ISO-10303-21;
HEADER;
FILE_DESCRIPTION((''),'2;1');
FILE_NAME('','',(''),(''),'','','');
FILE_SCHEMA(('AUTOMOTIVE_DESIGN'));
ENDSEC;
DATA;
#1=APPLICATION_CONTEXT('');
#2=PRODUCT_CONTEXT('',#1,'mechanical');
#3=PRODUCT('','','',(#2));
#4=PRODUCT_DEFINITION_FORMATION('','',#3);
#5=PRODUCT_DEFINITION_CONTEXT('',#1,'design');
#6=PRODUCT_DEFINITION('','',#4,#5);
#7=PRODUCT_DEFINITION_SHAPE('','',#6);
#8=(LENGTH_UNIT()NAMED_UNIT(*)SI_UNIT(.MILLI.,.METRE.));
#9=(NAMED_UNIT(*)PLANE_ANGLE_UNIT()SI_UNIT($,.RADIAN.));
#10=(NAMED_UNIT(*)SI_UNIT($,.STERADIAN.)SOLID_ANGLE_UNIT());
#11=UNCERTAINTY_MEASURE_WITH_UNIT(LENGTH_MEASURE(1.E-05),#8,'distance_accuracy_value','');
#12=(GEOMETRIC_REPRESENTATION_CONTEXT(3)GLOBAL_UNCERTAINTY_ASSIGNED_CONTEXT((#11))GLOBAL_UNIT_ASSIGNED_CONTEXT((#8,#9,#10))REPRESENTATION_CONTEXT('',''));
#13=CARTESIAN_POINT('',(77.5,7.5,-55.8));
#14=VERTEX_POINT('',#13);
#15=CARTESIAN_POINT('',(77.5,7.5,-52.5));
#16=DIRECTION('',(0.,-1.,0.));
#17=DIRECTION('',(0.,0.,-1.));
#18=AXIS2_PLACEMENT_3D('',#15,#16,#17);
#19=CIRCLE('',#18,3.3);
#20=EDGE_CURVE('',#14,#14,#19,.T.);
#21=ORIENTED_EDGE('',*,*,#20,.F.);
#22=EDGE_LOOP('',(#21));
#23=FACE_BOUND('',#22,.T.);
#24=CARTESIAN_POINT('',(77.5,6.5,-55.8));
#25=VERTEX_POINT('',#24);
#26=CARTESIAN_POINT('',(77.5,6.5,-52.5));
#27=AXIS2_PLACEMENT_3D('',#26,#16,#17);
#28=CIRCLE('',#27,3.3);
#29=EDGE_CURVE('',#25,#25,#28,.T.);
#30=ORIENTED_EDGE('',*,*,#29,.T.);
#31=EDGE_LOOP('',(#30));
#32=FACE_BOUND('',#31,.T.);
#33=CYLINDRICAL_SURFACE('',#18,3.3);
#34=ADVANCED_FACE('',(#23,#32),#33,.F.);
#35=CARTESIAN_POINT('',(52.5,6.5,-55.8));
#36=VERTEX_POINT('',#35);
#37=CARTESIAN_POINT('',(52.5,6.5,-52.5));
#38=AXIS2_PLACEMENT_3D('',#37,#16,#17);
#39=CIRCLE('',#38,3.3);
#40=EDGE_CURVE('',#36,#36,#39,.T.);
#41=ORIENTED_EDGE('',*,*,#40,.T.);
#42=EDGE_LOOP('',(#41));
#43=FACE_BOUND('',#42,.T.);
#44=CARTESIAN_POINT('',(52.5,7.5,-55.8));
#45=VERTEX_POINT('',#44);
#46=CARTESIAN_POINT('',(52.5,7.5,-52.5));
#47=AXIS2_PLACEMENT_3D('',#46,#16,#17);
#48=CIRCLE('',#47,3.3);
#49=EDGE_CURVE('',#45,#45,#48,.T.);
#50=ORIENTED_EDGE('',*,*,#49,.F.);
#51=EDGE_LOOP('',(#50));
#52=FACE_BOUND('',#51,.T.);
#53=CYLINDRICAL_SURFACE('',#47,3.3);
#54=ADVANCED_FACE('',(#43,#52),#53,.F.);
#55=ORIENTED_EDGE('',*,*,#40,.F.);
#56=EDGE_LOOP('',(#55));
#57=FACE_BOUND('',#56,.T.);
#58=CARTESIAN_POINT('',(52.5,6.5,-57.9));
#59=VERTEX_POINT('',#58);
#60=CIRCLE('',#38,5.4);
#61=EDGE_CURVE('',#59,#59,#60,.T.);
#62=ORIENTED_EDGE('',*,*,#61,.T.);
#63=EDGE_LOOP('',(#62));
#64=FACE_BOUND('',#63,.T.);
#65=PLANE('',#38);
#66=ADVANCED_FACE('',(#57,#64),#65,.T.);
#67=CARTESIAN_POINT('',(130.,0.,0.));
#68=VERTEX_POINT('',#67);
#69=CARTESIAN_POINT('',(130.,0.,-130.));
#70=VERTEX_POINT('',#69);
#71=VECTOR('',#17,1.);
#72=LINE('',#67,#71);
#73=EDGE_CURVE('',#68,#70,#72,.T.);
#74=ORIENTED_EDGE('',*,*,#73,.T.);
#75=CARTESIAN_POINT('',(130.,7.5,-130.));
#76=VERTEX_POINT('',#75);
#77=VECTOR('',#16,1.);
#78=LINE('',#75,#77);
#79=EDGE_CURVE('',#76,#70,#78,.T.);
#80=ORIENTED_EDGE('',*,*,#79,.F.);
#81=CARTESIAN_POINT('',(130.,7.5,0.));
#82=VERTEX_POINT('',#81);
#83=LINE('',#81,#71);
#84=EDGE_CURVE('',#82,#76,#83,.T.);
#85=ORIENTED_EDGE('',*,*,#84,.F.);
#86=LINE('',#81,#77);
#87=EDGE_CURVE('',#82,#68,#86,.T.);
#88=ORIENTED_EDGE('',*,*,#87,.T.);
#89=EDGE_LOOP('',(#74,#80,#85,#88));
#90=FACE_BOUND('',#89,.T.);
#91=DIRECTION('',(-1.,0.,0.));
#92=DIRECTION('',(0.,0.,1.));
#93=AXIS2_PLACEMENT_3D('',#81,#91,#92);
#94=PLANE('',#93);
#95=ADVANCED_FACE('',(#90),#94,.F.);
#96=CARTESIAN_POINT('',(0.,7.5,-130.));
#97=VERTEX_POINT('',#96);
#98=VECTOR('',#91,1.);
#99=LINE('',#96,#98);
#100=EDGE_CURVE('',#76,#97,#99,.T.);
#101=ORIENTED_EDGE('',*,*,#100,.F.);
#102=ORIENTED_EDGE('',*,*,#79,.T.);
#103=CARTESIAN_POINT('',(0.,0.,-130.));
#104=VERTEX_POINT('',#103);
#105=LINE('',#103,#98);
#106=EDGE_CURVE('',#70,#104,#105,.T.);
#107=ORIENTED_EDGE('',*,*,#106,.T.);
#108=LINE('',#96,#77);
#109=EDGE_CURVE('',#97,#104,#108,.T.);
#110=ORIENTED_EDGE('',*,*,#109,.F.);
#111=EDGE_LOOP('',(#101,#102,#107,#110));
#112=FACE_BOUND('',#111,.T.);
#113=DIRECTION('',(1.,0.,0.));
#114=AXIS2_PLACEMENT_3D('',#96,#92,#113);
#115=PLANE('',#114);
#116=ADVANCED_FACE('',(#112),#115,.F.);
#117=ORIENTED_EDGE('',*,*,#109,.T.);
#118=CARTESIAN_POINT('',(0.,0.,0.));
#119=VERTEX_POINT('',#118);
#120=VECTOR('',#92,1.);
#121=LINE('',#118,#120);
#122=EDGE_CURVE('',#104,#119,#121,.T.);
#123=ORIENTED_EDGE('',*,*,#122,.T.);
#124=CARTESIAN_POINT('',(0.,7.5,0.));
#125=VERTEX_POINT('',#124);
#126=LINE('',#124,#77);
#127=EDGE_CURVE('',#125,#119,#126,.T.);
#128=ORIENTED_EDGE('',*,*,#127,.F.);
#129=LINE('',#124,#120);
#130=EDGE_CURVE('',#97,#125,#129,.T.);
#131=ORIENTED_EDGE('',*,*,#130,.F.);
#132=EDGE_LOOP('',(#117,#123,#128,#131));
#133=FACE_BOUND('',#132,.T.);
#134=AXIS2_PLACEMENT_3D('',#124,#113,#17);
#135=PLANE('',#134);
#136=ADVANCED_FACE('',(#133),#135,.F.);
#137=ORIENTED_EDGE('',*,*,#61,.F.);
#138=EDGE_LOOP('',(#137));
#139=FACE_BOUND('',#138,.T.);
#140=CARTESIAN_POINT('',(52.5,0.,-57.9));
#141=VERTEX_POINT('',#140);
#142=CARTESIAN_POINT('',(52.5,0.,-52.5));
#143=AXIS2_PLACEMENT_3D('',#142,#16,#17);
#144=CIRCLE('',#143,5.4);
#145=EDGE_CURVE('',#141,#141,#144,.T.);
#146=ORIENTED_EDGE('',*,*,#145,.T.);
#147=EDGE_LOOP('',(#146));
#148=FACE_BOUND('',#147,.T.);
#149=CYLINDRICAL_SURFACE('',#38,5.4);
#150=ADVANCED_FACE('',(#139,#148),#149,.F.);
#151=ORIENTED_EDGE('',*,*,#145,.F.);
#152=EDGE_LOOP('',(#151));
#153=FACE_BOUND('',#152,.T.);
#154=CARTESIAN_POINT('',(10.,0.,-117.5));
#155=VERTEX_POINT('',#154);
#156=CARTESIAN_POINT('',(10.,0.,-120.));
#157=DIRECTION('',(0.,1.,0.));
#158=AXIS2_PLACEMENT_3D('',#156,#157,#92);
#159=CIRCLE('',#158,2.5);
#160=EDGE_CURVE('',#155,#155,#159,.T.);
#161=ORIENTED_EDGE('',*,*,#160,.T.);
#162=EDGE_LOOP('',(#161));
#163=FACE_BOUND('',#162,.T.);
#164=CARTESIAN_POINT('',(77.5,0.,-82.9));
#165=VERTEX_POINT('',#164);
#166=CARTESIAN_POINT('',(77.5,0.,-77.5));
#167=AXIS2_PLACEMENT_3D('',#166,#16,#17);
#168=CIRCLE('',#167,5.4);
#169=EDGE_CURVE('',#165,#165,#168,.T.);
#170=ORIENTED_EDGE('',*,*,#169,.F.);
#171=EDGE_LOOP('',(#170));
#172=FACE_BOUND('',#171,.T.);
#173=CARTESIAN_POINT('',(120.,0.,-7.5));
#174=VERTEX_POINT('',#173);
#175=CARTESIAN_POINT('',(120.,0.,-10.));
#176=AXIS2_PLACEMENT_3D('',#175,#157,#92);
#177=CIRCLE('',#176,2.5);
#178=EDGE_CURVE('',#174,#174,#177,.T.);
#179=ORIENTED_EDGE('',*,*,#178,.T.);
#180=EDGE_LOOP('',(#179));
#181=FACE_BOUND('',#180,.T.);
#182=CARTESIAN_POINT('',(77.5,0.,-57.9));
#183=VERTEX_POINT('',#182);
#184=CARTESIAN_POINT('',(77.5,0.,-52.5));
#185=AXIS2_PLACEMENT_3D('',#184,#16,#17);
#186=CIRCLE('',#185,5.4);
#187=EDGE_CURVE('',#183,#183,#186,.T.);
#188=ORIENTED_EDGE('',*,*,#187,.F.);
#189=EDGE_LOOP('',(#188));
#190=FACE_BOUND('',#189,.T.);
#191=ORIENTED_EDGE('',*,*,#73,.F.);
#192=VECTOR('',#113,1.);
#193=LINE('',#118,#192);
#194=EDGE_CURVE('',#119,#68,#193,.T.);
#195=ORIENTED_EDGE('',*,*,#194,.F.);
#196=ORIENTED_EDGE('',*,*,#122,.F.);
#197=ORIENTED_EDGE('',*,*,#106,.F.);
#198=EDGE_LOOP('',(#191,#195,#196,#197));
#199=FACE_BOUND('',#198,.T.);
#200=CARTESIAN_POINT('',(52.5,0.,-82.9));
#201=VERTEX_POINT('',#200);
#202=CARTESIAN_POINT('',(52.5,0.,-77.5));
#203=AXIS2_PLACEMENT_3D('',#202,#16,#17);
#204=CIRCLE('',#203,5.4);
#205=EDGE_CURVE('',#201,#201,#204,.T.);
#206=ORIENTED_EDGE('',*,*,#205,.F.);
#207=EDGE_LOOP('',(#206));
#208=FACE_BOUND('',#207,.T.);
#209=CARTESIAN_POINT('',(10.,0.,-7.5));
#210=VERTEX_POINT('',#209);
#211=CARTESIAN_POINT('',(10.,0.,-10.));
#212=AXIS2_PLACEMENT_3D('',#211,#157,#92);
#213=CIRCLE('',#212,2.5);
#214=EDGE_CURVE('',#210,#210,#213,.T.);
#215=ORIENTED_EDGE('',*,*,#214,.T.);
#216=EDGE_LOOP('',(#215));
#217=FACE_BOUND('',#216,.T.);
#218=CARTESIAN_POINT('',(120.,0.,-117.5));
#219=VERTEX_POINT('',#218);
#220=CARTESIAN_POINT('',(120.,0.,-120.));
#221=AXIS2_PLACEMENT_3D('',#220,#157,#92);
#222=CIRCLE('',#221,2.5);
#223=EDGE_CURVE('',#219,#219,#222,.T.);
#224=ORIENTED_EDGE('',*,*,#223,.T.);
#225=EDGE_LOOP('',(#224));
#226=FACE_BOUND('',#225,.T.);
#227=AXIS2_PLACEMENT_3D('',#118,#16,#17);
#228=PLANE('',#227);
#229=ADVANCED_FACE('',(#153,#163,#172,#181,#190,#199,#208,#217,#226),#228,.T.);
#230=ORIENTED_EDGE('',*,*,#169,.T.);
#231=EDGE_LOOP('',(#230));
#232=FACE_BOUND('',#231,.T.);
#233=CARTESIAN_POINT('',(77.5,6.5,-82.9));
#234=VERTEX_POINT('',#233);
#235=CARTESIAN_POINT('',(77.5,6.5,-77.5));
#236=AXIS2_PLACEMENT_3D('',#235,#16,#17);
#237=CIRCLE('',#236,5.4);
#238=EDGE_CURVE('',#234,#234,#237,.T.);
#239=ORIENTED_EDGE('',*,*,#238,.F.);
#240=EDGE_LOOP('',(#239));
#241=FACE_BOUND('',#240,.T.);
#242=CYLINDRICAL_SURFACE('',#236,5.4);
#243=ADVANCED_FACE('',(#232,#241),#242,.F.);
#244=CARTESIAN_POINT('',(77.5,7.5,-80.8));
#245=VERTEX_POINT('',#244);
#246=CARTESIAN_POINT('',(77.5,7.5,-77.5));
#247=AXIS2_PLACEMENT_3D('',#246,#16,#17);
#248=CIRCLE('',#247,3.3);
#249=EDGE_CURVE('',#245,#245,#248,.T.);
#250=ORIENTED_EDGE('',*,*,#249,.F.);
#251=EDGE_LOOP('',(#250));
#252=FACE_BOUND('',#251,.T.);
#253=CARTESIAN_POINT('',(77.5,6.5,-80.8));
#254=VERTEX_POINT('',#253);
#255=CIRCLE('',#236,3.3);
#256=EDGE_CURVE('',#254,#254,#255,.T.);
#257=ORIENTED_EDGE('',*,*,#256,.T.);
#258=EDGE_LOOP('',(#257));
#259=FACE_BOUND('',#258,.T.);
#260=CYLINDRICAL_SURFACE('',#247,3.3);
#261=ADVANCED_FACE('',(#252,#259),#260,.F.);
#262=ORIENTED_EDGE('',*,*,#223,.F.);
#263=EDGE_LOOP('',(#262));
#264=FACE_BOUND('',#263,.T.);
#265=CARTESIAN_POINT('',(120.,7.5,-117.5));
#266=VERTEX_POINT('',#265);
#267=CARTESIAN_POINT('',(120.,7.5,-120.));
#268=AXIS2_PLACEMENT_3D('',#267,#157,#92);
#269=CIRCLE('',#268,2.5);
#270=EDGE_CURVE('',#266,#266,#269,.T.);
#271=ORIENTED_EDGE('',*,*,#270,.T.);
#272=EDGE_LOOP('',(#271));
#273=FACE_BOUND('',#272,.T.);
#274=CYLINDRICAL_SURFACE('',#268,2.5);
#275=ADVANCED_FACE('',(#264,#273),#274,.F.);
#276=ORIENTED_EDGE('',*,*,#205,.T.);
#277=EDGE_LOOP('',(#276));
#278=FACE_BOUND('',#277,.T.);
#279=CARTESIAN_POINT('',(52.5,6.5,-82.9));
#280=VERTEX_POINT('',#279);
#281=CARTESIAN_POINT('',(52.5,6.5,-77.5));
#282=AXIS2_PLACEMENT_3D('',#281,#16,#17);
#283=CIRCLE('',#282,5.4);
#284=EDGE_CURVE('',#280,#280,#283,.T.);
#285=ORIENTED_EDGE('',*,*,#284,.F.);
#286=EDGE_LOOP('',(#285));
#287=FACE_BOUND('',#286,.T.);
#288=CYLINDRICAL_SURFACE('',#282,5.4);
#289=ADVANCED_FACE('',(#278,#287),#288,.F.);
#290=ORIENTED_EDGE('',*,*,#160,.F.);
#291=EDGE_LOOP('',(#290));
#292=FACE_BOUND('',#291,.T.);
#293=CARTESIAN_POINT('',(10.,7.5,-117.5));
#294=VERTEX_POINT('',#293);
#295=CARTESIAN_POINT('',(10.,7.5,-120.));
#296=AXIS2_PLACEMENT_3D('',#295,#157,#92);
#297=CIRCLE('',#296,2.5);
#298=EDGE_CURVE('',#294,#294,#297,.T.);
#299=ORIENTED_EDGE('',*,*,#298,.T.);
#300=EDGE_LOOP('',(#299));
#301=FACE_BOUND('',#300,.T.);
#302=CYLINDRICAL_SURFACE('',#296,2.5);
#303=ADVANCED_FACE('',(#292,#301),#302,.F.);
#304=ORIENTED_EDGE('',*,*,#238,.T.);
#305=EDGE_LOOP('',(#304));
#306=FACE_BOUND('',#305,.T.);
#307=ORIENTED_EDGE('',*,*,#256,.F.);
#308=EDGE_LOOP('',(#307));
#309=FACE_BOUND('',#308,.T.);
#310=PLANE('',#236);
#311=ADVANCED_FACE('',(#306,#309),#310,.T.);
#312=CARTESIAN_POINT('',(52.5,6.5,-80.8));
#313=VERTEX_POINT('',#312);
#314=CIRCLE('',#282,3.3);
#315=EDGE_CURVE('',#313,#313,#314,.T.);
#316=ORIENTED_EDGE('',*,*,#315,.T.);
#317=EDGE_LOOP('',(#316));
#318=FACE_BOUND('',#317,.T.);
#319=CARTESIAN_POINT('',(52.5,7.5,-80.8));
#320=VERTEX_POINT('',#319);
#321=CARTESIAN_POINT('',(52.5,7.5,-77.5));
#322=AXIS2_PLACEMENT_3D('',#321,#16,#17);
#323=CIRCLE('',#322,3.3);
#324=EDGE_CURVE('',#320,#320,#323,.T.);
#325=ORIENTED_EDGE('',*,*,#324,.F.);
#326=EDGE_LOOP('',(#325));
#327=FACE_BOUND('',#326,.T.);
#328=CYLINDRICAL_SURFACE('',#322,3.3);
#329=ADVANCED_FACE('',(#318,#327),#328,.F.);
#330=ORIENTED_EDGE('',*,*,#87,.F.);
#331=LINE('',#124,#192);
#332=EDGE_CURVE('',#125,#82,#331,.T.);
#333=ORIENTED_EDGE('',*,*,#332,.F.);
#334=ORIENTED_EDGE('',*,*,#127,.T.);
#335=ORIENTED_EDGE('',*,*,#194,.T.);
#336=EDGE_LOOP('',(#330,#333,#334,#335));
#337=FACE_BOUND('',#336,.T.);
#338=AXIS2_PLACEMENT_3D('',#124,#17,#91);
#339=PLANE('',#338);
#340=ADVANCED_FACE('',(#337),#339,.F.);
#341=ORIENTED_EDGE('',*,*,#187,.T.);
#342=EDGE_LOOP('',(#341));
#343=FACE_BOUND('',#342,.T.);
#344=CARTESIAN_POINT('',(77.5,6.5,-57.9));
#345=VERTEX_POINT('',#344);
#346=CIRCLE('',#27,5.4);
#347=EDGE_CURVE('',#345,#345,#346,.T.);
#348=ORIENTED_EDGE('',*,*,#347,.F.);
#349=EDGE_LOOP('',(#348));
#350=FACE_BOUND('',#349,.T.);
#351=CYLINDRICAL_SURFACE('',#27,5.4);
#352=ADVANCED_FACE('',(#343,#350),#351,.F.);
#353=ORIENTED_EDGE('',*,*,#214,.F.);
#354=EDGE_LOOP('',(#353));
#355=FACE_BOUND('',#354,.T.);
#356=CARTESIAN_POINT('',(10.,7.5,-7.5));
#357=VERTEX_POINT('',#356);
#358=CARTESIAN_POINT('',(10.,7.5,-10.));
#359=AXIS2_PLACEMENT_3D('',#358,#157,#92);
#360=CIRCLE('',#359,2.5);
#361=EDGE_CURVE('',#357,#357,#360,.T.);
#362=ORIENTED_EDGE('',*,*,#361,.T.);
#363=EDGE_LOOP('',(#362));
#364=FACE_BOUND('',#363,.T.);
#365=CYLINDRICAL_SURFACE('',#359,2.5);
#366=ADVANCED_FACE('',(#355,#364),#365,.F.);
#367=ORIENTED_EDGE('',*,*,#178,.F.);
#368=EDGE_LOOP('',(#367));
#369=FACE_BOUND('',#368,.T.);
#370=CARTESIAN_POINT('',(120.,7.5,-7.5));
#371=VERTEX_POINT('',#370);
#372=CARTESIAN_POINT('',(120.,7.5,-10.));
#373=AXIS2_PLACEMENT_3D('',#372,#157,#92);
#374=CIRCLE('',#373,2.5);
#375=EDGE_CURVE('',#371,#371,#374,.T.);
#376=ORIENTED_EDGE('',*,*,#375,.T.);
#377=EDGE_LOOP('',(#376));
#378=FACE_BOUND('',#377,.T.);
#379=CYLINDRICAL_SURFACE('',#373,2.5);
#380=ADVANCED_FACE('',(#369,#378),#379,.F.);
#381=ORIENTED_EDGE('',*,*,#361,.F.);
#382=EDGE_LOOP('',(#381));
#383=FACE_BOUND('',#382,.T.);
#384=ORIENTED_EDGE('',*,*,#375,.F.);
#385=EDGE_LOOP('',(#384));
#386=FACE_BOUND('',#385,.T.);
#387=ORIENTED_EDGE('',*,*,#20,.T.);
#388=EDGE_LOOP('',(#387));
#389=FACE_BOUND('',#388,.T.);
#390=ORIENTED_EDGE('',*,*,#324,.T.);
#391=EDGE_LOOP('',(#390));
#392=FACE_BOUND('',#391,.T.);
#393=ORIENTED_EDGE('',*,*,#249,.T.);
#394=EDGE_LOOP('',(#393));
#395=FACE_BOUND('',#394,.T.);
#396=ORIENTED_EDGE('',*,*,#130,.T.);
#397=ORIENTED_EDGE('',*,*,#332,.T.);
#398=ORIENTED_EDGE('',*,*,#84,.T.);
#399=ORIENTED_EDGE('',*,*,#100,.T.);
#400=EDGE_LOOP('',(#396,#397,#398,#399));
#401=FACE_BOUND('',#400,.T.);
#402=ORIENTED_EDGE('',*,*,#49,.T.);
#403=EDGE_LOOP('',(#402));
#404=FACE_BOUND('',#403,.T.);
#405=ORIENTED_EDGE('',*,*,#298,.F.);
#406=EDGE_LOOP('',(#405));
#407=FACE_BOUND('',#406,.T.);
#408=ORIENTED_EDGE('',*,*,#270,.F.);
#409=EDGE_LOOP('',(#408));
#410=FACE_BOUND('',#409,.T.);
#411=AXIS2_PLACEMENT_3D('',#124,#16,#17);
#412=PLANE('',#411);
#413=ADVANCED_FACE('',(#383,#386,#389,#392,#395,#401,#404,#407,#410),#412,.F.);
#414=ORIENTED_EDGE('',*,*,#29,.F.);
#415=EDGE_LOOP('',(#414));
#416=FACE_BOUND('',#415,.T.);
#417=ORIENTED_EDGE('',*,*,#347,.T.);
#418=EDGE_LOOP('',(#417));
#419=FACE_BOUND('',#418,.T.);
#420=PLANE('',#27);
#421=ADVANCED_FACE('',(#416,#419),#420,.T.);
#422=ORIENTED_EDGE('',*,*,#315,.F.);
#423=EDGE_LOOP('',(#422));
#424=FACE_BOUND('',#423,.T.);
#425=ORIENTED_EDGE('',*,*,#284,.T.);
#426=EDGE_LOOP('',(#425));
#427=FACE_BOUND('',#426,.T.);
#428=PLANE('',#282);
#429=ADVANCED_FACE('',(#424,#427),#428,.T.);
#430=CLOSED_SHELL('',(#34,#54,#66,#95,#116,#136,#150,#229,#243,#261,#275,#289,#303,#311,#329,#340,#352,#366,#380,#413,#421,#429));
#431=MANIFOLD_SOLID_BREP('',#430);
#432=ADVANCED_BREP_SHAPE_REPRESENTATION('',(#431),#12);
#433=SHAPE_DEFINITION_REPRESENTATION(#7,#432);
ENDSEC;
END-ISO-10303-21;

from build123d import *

# Parameters (mm, degrees)
SKETCH_1_W          = 130
SKETCH_1_H          = 130
EXTRUDE_1_DEPTH     = 7.5
HOLE_WIZARD_M6_2_D  = 5
SKETCH_6_R          = 5.4
CUT_EXTRUDE_1_DEPTH = 6.5
SKETCH_7_R          = 3.3
CUT_EXTRUDE_2_DEPTH = 2


with BuildPart() as part:
    # 草图1 → 凸台-拉伸1 (new body)
    with BuildSketch(Plane(origin=(0, 0, 0), x_dir=(1, 0, 0), z_dir=(0, 1, 0))):
        with Locations((65, 65)):
            Rectangle(SKETCH_1_W, SKETCH_1_H)
    extrude(amount=EXTRUDE_1_DEPTH)

    # M6 螺纹孔2 (through all)
    with Locations(Plane(origin=(10, 7.5, -120), x_dir=(0, 0, 1), z_dir=(0, 1, 0))):
        with Locations((0, 0), (0, 110), (110, 110), (110, 0)):
            Hole(HOLE_WIZARD_M6_2_D / 2)

    # 草图6 → 切除-拉伸1 (cut)
    with BuildSketch(Plane(origin=(0, 0, 0), x_dir=(-1, 0, 0), z_dir=(0, -1, 0))):
        with Locations((-52.5, 52.5)):
            Circle(SKETCH_6_R)
        with Locations((-77.5, 52.5)):
            Circle(SKETCH_6_R)
        with Locations((-52.5, 77.5)):
            Circle(SKETCH_6_R)
        with Locations((-77.5, 77.5)):
            Circle(SKETCH_6_R)
    extrude(amount=-CUT_EXTRUDE_1_DEPTH, mode=Mode.SUBTRACT)

    # 草图7 → 切除-拉伸2 (cut, through all)
    with BuildSketch(Plane.XZ.offset(-6.5)):
        with Locations((52.5, -52.5)):
            Circle(SKETCH_7_R)
        with Locations((77.5, -52.5)):
            Circle(SKETCH_7_R)
        with Locations((77.5, -77.5)):
            Circle(SKETCH_7_R)
        with Locations((52.5, -77.5)):
            Circle(SKETCH_7_R)
    extrude(amount=-CUT_EXTRUDE_2_DEPTH, mode=Mode.SUBTRACT)


solid = part.part
